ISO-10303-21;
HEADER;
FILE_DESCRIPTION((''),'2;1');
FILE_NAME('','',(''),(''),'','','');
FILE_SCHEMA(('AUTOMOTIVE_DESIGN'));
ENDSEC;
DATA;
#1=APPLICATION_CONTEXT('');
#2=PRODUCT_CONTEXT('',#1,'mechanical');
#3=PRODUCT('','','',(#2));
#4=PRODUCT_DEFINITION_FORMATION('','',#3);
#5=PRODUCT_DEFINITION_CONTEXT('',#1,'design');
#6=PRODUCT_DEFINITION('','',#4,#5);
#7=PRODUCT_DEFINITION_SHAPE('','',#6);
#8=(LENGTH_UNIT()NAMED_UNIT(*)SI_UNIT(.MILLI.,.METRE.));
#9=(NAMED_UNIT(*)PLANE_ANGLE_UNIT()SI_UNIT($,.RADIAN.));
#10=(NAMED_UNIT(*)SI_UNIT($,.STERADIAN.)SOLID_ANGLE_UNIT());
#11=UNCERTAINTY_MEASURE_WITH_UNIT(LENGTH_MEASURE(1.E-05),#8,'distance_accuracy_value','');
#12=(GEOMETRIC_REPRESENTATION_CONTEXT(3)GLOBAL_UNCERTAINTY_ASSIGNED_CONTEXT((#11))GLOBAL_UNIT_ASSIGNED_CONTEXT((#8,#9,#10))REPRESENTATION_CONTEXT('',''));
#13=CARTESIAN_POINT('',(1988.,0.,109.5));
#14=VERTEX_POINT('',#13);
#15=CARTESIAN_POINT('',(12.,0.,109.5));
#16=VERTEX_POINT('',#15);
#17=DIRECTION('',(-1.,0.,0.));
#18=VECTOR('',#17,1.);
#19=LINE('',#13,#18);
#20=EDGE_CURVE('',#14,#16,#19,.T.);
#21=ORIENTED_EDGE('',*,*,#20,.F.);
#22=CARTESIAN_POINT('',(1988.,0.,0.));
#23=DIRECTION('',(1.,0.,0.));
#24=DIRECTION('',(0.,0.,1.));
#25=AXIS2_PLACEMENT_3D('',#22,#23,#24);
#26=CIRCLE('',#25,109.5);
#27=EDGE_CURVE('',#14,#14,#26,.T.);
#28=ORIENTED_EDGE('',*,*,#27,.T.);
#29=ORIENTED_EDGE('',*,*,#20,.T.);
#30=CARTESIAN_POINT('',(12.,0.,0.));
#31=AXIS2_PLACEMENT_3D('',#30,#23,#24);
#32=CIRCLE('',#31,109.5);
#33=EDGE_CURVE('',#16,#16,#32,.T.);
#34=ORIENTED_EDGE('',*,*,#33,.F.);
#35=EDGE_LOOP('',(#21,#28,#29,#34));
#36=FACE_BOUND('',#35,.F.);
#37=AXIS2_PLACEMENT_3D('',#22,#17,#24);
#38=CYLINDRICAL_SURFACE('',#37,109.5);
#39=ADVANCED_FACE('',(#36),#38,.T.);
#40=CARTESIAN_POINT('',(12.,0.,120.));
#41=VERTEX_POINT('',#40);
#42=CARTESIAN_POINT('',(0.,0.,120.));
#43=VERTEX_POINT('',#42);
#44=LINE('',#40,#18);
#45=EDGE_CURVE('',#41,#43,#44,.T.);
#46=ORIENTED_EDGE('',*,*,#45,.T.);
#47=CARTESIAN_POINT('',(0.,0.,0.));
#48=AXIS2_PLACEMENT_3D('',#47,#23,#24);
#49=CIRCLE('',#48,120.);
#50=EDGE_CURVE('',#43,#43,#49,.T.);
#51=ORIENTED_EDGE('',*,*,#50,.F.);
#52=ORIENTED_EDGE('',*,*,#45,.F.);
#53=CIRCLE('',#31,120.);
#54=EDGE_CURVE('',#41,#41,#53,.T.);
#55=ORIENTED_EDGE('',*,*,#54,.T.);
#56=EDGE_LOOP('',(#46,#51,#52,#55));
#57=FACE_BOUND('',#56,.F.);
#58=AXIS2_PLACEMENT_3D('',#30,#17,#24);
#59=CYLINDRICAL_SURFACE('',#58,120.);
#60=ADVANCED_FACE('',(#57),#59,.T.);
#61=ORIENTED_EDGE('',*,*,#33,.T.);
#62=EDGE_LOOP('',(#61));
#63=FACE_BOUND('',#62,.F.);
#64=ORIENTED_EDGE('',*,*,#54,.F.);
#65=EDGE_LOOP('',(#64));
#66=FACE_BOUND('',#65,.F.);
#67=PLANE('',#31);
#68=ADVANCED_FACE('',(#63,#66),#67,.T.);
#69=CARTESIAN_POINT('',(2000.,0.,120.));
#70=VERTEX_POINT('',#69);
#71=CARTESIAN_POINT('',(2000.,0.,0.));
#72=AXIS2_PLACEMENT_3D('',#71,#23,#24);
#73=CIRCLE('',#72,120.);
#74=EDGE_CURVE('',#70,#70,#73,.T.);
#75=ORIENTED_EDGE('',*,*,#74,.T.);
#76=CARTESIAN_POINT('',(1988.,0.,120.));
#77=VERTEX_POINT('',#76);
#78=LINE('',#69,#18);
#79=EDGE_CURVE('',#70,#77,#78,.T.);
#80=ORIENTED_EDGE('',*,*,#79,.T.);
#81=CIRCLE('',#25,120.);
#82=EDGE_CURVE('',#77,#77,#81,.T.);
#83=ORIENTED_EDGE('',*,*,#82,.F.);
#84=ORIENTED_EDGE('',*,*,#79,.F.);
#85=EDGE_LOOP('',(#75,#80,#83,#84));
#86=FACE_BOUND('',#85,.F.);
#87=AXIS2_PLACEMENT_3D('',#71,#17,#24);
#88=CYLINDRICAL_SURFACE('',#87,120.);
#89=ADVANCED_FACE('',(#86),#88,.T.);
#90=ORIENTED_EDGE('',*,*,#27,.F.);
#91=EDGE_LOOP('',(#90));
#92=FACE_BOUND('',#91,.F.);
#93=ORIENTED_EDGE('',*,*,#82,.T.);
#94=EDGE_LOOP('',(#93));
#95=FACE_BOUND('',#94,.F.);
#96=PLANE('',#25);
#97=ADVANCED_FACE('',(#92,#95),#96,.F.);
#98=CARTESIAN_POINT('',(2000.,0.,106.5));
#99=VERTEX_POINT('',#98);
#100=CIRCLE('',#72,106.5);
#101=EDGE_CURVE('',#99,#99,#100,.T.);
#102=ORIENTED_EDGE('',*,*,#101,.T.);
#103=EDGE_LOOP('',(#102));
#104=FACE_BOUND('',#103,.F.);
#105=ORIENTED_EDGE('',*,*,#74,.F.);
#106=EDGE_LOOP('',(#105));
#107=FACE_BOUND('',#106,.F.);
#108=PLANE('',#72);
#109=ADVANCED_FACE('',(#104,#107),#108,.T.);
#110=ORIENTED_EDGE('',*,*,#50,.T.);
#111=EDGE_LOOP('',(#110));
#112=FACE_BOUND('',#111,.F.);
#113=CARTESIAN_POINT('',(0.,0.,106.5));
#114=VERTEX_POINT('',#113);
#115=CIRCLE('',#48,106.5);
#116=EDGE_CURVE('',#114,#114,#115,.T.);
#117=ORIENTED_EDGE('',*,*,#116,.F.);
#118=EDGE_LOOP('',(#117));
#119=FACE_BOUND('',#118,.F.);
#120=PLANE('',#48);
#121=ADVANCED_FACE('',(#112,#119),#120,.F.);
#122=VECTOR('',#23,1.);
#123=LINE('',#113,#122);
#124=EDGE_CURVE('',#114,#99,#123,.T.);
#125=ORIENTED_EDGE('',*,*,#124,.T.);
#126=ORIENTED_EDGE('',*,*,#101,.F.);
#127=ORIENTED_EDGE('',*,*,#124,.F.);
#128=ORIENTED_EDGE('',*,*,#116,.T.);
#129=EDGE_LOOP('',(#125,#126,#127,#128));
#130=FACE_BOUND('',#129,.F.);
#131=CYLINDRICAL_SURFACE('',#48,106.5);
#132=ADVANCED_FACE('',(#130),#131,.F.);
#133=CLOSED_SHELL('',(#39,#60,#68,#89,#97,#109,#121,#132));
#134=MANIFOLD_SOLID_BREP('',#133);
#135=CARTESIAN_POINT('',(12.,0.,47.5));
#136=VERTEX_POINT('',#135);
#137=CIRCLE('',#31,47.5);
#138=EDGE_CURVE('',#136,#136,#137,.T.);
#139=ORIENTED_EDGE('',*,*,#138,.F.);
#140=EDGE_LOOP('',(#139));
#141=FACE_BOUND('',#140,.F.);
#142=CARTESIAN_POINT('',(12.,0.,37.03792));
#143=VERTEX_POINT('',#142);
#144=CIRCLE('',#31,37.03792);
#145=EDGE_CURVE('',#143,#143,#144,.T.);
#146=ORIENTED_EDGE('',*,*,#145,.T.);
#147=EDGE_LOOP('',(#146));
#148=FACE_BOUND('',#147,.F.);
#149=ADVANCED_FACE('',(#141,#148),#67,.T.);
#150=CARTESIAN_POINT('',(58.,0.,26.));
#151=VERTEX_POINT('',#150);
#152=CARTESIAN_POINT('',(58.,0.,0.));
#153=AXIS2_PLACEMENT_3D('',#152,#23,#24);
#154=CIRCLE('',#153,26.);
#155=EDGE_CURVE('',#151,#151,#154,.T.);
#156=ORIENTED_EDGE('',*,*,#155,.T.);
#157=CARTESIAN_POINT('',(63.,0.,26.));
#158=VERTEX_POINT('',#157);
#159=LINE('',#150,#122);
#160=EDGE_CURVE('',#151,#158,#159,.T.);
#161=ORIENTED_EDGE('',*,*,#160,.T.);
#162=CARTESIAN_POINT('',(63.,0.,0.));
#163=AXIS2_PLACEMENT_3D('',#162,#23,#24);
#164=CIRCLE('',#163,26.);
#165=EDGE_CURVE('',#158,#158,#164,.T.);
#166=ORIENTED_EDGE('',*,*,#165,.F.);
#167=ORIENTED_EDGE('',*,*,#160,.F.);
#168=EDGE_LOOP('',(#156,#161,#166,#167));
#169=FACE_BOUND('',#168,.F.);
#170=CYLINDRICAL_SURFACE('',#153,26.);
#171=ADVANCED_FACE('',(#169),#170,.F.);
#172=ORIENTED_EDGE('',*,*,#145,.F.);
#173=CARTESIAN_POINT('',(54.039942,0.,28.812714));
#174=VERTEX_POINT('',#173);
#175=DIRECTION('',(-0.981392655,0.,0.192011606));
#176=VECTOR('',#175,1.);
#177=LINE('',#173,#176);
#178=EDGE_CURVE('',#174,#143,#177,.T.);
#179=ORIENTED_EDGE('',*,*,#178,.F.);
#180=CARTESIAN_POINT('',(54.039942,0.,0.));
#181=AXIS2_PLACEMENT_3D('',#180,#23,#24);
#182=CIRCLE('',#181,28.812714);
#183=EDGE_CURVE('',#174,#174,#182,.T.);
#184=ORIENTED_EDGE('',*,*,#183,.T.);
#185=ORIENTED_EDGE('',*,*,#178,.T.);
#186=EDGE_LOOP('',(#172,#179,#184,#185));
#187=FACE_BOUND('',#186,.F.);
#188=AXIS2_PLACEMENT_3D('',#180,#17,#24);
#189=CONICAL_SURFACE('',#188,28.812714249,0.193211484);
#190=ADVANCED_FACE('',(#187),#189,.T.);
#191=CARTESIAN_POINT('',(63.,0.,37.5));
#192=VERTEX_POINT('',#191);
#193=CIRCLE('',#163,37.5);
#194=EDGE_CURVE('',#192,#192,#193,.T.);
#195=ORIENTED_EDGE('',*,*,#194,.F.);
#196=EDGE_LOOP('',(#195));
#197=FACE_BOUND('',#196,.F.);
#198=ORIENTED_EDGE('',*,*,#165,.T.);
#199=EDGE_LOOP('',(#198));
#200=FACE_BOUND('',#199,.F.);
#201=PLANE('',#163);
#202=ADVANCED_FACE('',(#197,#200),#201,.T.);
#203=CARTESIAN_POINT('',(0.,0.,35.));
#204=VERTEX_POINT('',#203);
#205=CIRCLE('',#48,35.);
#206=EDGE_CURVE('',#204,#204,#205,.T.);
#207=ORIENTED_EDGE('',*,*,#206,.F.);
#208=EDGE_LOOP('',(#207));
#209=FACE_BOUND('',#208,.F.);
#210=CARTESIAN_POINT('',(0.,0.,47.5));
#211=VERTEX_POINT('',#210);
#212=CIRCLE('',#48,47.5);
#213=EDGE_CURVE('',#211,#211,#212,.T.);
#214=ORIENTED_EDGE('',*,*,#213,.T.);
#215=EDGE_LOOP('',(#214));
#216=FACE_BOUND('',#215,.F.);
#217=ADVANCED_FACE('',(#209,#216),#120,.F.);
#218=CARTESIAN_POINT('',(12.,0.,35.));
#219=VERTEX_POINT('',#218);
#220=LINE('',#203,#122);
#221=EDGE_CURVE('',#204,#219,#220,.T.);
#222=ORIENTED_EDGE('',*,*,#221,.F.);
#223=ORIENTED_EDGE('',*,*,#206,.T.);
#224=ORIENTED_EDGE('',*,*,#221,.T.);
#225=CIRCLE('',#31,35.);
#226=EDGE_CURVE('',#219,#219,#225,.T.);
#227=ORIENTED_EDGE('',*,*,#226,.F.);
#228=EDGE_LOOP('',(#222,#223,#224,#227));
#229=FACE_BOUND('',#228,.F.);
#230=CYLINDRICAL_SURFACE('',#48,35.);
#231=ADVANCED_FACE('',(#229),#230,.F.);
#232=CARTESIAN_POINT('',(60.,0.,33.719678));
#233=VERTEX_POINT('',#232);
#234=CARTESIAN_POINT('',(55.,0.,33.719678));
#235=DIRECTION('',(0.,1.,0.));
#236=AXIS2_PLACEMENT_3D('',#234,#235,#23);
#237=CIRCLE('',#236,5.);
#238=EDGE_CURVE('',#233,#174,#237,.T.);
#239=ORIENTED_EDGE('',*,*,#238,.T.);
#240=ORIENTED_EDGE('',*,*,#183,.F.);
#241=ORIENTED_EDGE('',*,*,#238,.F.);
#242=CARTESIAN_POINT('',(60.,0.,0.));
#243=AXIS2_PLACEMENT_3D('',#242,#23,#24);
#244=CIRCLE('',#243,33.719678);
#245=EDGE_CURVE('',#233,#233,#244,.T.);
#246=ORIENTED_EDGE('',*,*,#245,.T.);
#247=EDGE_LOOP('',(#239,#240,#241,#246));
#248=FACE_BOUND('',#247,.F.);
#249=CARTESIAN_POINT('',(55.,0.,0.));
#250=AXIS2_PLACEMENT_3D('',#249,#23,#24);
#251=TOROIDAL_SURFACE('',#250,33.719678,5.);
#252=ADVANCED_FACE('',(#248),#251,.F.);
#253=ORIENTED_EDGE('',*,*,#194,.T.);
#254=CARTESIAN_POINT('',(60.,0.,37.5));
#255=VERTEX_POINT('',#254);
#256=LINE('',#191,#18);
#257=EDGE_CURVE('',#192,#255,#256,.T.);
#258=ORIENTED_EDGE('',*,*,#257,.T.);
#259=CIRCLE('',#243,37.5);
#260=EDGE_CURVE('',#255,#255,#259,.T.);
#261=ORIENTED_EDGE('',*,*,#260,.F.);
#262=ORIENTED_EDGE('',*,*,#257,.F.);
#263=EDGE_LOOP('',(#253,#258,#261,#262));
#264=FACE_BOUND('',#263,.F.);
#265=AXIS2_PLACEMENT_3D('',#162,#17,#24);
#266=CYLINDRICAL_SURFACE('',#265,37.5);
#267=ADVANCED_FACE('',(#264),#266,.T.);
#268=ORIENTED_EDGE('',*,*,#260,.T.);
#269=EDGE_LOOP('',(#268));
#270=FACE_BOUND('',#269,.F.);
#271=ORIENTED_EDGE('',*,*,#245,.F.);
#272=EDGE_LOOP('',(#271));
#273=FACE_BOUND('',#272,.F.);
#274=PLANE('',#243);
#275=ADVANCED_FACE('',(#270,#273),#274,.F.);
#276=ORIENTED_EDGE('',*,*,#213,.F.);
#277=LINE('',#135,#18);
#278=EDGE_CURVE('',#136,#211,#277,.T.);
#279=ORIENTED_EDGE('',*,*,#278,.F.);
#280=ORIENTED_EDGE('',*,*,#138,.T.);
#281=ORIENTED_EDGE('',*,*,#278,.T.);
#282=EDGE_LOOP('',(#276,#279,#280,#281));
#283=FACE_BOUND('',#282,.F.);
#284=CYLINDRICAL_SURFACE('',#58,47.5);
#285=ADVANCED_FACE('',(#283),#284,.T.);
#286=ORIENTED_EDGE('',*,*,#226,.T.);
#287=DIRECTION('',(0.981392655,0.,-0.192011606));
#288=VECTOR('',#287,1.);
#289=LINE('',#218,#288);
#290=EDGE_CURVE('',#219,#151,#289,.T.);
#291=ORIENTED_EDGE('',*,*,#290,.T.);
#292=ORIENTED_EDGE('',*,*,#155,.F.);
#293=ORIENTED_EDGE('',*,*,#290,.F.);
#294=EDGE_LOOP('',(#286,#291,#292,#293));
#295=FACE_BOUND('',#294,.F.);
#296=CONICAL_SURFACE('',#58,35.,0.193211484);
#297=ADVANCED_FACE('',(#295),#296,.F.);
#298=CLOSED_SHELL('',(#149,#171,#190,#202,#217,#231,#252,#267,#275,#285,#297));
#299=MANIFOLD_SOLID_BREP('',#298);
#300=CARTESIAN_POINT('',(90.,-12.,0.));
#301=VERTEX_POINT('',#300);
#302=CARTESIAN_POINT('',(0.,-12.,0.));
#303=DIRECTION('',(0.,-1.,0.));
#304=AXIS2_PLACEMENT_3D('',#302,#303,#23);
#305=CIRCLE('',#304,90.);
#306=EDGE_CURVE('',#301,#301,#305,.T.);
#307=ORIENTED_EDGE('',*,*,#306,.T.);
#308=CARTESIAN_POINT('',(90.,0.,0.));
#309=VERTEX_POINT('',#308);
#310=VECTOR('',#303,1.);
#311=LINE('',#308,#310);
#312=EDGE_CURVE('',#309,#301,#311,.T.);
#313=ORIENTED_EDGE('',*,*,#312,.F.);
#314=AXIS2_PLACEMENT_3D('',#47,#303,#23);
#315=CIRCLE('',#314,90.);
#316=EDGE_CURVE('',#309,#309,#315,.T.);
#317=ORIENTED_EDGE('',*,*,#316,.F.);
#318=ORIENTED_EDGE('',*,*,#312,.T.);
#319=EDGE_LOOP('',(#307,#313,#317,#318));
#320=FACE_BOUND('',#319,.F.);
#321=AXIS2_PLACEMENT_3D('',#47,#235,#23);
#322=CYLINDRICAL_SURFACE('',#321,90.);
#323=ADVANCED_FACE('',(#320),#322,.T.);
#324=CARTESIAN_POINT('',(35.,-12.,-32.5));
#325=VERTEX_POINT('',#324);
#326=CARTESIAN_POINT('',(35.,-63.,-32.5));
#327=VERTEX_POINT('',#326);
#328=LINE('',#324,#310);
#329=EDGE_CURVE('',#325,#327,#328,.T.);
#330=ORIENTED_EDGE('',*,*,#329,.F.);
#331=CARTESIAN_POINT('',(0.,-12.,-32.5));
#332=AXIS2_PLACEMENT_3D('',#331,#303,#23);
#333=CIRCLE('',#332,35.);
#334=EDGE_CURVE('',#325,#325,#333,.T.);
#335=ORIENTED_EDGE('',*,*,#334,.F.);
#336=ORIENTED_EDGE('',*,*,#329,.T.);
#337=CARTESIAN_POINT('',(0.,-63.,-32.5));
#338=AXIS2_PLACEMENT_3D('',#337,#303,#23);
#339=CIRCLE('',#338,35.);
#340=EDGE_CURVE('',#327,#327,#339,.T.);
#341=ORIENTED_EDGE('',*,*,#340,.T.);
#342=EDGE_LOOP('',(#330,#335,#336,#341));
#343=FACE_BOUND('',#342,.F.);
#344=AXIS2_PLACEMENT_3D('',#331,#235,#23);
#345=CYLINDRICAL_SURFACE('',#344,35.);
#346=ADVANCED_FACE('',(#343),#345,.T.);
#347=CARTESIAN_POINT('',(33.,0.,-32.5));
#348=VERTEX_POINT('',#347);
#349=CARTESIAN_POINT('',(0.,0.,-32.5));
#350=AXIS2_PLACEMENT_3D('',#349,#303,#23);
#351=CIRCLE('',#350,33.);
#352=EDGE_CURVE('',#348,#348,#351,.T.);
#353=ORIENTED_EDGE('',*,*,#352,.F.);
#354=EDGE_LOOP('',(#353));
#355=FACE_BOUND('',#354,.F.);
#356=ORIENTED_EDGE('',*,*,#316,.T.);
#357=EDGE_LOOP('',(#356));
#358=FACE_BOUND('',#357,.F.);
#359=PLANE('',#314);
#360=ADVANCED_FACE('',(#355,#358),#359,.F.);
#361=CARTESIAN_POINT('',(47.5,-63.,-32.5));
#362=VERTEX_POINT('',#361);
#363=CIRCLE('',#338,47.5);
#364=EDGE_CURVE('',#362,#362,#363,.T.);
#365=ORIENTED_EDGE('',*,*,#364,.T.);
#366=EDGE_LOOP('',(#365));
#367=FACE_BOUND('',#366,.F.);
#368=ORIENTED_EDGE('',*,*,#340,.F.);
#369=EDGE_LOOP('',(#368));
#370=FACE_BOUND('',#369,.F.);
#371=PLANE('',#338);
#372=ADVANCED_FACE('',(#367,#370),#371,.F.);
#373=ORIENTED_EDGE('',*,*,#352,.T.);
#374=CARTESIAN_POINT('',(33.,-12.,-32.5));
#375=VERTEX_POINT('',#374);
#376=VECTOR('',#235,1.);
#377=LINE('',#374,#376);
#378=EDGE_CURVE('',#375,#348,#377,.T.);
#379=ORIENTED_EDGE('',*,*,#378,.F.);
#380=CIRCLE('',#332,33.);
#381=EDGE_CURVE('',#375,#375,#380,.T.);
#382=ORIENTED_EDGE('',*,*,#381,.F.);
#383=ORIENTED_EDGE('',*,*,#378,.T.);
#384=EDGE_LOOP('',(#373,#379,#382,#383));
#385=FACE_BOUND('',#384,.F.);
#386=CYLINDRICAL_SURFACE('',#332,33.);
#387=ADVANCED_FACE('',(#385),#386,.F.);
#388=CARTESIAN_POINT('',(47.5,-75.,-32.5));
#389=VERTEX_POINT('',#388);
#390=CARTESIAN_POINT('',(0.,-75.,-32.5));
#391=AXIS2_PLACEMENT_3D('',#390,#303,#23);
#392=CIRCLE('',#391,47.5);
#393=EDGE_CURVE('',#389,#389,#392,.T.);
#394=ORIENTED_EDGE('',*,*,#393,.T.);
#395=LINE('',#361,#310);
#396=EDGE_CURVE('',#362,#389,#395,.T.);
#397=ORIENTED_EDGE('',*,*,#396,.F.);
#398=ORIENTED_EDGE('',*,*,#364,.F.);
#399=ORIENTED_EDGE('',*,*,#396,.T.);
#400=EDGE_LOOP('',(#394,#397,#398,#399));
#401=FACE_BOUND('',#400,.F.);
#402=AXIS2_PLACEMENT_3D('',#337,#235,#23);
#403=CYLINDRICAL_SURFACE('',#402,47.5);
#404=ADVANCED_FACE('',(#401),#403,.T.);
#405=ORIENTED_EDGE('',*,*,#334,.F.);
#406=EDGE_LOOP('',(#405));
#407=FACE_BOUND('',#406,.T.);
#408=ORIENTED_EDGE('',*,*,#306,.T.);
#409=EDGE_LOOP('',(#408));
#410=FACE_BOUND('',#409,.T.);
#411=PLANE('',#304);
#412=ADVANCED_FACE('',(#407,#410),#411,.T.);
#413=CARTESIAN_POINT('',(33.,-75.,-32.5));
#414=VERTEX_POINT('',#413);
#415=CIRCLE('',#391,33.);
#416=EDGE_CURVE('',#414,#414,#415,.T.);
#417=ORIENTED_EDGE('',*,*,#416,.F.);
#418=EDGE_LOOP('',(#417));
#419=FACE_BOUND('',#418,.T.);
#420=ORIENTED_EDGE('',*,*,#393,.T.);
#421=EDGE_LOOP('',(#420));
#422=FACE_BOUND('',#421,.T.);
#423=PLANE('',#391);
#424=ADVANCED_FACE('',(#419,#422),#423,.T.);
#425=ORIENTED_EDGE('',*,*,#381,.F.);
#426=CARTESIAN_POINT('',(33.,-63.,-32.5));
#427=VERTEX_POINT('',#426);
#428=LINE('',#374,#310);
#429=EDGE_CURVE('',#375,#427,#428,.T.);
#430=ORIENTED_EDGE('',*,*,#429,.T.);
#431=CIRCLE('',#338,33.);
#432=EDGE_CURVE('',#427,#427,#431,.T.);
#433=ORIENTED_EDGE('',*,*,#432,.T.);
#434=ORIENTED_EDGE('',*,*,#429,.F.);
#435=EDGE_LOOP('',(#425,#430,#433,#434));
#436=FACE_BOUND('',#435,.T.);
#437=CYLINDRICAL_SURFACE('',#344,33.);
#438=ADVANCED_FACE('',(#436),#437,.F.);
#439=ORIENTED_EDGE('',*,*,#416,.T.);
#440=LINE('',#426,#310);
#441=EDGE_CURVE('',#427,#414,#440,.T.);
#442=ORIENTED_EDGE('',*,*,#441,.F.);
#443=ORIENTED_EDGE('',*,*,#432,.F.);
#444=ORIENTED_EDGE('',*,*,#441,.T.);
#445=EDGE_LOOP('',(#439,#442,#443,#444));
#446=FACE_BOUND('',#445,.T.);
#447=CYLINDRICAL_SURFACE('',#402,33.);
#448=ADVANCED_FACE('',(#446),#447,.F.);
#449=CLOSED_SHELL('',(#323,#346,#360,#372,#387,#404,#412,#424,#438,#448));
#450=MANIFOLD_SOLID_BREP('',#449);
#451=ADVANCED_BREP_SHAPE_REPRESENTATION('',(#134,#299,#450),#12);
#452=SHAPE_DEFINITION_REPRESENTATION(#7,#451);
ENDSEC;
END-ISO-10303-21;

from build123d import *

# Parameters (mm, degrees)
F3_R     = 90
F4_DEPTH = 12
F5_R     = 35
F5_R_2   = 33
F6_DEPTH = 51
F7_DEPTH = 132.001
F8_R     = 47.5
F8_R_2   = 35
F8_R_3   = 33
F9_DEPTH = 12


with BuildPart() as f2:
    # F0 (on Front) → F2 (revolve)
    with BuildSketch(Plane.XZ):
        Polygon((0, 120), (0, 106.5), (2000, 106.5), (2000, 120), (1988, 120), (1988, 109.5), (12, 109.5), (12, 120), align=None)
    revolve(axis=Axis((45.6891432405, 0, 0), (1, 0, 0)))


with BuildPart() as f4:
    # F3 (on Front) → F4 (new body)
    with BuildSketch(Plane.XZ):
        Circle(F3_R)
    extrude(amount=F4_DEPTH)

    # F5 (on face) → F6 (join)
    with BuildSketch(Plane.XZ.offset(12)):
        with Locations((0, -32.5)):
            Circle(F5_R)
        with Locations((0, -32.5)):
            Circle(F5_R_2, mode=Mode.SUBTRACT)
    extrude(amount=F6_DEPTH)

    # F5 (on face) → F7 (cut, through all)
    with BuildSketch(Plane.XZ.offset(12)):
        with Locations((0, -32.5)):
            Circle(F5_R_2)
    extrude(amount=-F7_DEPTH, mode=Mode.SUBTRACT)

    # F8 (on face) → F9 (join)
    with BuildSketch(Plane.XZ.offset(63)):
        with Locations((0, -32.5)):
            Circle(F8_R)
        with Locations((0, -32.5)):
            Circle(F8_R_2, mode=Mode.SUBTRACT)
        with Locations((0, -32.5)):
            Circle(F8_R_2)
        with Locations((0, -32.5)):
            Circle(F8_R_3, mode=Mode.SUBTRACT)
    extrude(amount=F9_DEPTH)


with BuildPart() as f12:
    # F10 (on Front) → F12 (revolve)
    with BuildSketch(Plane.XZ):
        with BuildLine():
            Line((0, 47.5), (0, 35))
            Line((0, 35), (12, 35))
            Line((12, 35), (58, 26))
            Line((58, 26), (63, 26))
            Line((63, 26), (63, 37.5))
            Line((63, 37.5), (60, 37.5))
            Line((60, 37.5), (60, 33.7196775232))
            ThreePointArc((60, 33.7196775232), (58.178026891, 29.8596069177), (54.0399419681, 28.8127142489))
            Line((54.0399419681, 28.8127142489), (12, 37.0379202861))
            Line((12, 37.0379202861), (12, 47.5))
            Line((12, 47.5), (0, 47.5))
        make_face()
    revolve(axis=Axis((33.8844247162, 0, 0), (1, 0, 0)))


solid = Compound([f2.part, f4.part, f12.part])
